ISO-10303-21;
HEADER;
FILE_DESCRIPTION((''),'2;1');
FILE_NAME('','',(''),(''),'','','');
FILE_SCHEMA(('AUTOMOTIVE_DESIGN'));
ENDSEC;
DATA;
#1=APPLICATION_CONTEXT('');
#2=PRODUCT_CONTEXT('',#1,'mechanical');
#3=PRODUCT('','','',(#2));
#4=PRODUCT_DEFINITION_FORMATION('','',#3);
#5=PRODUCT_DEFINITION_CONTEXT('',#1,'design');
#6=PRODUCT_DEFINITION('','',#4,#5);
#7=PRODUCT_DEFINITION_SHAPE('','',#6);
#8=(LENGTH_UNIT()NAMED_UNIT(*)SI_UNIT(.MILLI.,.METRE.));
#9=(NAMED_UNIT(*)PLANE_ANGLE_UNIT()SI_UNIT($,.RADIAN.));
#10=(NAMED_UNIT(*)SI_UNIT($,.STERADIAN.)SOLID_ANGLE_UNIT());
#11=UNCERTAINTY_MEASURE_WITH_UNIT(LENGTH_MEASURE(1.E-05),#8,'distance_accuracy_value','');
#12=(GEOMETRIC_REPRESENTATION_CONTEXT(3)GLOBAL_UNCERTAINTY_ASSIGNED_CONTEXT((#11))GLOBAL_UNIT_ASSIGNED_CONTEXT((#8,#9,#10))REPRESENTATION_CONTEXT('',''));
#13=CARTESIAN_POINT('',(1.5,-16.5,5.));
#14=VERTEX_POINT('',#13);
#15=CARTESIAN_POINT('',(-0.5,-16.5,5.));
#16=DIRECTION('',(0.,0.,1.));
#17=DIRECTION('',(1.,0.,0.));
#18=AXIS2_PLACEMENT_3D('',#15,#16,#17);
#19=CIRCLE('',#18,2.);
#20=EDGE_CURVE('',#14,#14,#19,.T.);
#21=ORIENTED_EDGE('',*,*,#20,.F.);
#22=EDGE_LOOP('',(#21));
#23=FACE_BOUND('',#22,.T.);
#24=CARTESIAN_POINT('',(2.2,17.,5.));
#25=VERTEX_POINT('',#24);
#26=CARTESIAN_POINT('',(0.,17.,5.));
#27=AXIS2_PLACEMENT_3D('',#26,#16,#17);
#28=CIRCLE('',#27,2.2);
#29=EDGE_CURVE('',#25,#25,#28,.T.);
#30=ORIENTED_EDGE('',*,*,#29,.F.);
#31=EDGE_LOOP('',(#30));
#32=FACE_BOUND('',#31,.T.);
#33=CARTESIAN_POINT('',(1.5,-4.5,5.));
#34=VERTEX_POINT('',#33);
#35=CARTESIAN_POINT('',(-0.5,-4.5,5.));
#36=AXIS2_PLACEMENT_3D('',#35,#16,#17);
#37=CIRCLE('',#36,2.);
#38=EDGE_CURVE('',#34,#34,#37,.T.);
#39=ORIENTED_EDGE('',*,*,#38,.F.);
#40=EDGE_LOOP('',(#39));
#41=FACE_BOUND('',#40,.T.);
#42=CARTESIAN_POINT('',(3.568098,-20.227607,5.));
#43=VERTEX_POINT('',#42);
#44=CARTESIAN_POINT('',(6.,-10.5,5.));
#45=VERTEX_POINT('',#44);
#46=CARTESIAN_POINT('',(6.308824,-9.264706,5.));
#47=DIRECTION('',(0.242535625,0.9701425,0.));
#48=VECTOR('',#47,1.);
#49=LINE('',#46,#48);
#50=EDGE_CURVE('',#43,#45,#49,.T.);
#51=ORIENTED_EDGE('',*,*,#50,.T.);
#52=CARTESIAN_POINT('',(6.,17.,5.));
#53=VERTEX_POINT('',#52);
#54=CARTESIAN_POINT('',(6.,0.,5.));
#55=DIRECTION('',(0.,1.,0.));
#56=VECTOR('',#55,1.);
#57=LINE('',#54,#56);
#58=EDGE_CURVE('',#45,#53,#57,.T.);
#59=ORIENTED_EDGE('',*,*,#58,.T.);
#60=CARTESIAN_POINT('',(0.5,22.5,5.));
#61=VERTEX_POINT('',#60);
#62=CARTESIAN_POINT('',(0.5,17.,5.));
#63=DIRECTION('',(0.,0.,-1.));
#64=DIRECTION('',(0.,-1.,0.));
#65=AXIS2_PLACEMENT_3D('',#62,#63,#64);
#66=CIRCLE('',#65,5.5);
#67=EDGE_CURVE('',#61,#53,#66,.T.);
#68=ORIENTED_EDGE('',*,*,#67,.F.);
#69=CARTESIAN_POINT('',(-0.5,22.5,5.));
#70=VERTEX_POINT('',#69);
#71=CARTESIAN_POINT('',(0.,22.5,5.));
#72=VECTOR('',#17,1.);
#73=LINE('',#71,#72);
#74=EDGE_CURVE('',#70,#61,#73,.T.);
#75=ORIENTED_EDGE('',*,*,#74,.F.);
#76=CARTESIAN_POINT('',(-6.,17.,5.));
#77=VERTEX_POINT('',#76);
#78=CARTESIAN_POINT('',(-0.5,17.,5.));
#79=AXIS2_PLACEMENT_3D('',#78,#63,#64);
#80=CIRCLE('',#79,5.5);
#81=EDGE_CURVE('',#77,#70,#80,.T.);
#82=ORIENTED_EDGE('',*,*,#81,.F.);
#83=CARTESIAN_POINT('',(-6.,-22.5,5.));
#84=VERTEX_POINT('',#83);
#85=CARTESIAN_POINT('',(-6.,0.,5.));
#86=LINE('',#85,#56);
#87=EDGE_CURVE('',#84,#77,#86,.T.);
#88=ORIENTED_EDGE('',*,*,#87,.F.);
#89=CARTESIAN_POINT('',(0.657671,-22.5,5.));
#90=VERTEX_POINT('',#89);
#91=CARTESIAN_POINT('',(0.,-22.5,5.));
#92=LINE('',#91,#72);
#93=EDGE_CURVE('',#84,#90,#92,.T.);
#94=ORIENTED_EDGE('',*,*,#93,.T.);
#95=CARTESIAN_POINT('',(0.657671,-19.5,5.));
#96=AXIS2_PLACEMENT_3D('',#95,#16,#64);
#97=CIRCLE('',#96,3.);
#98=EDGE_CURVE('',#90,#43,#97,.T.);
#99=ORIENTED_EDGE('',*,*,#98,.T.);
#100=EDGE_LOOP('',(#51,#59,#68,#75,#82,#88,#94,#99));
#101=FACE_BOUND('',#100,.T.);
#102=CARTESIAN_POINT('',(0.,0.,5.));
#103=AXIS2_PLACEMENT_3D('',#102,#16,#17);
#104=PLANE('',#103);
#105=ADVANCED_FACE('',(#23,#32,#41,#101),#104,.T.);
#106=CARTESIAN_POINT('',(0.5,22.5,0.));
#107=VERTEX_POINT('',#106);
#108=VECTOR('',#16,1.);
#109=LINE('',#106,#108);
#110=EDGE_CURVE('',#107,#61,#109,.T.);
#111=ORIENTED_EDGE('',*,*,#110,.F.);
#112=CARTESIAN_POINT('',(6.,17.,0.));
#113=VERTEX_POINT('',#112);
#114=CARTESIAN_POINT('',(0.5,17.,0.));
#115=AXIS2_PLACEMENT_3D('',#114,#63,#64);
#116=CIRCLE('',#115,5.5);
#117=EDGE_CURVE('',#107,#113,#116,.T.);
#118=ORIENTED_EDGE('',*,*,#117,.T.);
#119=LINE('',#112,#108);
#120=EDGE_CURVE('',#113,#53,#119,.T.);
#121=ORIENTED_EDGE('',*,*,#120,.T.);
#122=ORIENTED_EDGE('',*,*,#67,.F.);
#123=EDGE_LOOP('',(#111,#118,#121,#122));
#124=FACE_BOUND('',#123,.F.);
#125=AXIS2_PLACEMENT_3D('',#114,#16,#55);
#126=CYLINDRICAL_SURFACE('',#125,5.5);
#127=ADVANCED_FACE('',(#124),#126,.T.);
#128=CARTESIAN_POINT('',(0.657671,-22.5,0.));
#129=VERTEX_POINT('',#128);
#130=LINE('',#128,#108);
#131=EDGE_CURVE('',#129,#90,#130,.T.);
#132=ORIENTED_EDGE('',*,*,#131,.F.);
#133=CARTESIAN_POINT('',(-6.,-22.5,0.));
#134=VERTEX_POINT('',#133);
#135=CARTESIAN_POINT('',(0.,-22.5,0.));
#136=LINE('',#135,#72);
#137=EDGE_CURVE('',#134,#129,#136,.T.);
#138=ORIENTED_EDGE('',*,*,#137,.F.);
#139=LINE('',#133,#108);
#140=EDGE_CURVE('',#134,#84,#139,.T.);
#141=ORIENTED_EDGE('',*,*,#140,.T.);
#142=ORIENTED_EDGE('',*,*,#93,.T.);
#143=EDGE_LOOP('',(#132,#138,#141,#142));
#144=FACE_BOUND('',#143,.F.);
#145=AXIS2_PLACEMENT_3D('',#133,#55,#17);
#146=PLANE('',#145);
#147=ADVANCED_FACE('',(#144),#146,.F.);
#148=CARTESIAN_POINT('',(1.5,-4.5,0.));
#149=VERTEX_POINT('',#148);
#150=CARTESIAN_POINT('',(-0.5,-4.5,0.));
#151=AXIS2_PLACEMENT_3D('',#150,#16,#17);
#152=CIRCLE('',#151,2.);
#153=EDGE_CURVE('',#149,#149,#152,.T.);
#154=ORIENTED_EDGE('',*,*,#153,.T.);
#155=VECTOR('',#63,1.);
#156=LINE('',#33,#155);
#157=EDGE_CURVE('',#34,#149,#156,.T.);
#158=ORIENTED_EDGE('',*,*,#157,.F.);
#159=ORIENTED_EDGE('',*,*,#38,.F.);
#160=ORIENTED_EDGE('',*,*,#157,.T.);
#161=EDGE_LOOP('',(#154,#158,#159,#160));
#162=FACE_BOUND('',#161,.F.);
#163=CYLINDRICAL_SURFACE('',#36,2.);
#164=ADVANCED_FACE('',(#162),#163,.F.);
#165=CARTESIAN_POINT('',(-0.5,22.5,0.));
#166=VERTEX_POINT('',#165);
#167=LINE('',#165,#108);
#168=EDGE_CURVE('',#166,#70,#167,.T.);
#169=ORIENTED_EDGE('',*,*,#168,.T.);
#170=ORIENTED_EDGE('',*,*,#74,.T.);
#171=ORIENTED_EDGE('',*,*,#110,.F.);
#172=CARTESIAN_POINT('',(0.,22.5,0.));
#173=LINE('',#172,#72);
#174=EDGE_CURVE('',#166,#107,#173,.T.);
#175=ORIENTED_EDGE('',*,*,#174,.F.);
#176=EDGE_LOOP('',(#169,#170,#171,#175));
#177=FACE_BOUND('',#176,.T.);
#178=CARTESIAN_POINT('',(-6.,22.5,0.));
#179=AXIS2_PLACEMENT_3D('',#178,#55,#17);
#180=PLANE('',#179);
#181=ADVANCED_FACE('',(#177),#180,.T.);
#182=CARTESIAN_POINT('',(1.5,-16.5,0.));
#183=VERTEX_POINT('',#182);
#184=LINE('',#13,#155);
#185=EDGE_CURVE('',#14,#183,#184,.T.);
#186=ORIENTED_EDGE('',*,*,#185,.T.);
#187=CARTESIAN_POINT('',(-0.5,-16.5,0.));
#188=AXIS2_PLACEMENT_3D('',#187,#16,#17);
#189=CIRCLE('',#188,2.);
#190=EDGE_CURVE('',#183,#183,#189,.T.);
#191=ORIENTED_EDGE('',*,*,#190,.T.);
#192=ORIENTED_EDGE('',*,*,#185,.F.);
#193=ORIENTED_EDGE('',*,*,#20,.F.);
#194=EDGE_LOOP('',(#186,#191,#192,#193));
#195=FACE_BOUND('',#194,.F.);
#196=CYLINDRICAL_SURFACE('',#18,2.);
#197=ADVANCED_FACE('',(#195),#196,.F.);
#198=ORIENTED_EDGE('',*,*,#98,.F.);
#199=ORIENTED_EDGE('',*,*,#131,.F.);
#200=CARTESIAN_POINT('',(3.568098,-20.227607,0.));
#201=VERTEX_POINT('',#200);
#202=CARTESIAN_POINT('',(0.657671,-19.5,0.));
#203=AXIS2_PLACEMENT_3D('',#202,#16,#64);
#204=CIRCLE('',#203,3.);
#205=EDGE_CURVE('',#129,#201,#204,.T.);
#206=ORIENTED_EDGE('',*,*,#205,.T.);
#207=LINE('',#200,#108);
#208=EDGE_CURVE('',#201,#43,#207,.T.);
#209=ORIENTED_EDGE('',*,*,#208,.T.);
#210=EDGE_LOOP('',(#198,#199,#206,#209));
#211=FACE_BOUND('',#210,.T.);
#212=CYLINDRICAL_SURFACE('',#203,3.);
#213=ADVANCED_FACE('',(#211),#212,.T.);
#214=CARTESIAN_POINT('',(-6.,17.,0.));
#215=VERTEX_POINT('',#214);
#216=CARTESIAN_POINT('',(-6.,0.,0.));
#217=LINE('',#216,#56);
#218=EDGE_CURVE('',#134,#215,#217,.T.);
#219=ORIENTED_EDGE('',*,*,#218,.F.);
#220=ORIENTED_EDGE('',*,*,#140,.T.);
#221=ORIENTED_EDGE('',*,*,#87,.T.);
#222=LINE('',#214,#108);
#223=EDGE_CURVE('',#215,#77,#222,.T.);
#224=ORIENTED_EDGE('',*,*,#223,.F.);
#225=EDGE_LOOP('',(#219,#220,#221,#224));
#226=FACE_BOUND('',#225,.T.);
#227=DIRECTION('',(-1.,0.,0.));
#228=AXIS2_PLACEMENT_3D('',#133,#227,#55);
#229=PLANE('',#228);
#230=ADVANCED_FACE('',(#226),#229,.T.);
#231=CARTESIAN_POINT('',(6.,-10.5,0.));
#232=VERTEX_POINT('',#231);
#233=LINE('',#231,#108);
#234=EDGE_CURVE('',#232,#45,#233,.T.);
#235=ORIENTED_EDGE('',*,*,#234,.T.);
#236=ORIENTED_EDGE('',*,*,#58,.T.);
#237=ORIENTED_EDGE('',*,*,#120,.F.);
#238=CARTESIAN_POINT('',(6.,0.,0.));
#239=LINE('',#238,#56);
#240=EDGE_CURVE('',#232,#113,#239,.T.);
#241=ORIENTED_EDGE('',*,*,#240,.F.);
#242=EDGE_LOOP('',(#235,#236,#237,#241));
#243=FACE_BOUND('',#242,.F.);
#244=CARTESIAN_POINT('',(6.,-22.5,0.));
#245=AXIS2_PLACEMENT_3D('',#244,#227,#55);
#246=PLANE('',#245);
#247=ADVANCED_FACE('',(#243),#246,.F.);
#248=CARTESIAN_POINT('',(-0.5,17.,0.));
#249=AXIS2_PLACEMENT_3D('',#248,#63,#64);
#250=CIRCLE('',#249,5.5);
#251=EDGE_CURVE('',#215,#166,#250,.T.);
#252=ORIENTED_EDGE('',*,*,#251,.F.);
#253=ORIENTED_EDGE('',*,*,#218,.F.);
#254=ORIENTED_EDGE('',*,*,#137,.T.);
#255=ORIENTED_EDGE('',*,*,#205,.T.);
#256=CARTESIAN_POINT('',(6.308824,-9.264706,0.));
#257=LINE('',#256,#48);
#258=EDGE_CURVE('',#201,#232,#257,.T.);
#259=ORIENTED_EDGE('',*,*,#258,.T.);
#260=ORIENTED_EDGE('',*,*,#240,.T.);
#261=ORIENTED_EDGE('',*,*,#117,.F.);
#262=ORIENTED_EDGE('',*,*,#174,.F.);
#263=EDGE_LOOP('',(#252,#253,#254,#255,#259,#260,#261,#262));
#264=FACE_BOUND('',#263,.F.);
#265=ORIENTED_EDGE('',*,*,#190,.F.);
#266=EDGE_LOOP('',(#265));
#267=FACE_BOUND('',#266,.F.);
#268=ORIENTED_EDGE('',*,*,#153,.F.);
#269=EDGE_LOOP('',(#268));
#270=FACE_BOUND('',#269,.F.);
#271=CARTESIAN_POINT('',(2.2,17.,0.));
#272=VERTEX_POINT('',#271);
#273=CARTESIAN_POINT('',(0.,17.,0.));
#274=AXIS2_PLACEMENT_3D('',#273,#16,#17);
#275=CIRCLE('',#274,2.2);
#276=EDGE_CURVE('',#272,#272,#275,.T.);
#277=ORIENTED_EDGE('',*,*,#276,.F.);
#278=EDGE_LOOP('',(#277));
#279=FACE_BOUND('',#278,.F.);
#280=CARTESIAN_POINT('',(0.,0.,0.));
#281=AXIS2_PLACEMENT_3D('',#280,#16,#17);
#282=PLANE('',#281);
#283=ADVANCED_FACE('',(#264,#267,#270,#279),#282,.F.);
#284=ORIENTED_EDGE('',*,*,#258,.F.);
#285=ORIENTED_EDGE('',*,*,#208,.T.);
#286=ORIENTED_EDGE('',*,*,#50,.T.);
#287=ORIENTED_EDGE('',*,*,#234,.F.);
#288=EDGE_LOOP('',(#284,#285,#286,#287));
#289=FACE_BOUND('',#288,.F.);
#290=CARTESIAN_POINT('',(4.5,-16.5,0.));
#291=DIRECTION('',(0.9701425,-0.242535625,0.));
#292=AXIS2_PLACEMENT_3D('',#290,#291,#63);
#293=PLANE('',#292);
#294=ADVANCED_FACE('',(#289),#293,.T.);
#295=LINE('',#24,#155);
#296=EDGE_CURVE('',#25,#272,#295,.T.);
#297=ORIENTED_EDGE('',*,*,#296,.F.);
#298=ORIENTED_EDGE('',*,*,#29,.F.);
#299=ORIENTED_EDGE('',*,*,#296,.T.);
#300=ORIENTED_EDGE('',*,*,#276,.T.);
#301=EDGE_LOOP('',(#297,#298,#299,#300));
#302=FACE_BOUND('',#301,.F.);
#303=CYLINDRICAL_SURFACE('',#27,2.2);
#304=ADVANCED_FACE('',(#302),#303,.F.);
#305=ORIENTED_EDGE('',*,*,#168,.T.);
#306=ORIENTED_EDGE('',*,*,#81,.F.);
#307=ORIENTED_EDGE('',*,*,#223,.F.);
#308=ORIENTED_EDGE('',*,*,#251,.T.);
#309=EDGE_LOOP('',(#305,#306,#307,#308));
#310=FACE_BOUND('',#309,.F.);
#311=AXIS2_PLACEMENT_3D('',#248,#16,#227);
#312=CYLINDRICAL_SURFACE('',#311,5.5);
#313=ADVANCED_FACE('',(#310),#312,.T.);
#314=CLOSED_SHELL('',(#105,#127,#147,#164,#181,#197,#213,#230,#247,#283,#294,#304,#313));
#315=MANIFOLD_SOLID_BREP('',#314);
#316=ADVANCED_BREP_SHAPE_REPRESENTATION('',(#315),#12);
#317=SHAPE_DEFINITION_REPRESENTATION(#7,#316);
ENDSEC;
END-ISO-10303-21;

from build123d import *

# Parameters (mm, degrees)
SKETCH_W      = 12
SKETCH_H      = 45
PAD_DEPTH     = 5
SKETCH001_R   = 2.2
SKETCH001_R_2 = 2
POCKET_DEPTH  = 5.001
CHAMFER_SIZE2 = 12
CHAMFER_SIZE  = 3
FILLET_R      = 3
FILLET001_R   = 5.5


with BuildPart() as part:
    # Sketch → Pad (new body)
    with BuildSketch(Plane.XY):
        Rectangle(SKETCH_W, SKETCH_H)
    extrude(amount=PAD_DEPTH)

    # Sketch001 (on Face6 of Pad) → Pocket (cut, through all)
    with BuildSketch(Plane.XY.offset(5)):
        with Locations((0, 17)):
            Circle(SKETCH001_R)
        with Locations((-0.5, -16.5)):
            Circle(SKETCH001_R_2)
        with Locations((-0.5, -4.5)):
            Circle(SKETCH001_R_2)
    extrude(amount=-POCKET_DEPTH, mode=Mode.SUBTRACT)

    # Chamfer
    chamfer_edges = [part.edges().sort_by_distance(p)[0] for p in [
        (6, -22.5, 2.5),
    ]]
    chamfer_side = part.faces().sort_by_distance((0, -22.5, 2.5))[0]
    chamfer(chamfer_edges, length=CHAMFER_SIZE, length2=CHAMFER_SIZE2, reference=chamfer_side)

    # Fillet
    fillet_edges = [part.edges().sort_by_distance(p)[0] for p in [
        (3, -22.5, 2.5),
    ]]
    fillet(fillet_edges, radius=FILLET_R)

    # Fillet001
    fillet001_edges = [part.edges().sort_by_distance(p)[0] for p in [
        (6, 22.5, 2.5),
        (-6, 22.5, 2.5),
    ]]
    fillet(fillet001_edges, radius=FILLET001_R)


solid = part.part
